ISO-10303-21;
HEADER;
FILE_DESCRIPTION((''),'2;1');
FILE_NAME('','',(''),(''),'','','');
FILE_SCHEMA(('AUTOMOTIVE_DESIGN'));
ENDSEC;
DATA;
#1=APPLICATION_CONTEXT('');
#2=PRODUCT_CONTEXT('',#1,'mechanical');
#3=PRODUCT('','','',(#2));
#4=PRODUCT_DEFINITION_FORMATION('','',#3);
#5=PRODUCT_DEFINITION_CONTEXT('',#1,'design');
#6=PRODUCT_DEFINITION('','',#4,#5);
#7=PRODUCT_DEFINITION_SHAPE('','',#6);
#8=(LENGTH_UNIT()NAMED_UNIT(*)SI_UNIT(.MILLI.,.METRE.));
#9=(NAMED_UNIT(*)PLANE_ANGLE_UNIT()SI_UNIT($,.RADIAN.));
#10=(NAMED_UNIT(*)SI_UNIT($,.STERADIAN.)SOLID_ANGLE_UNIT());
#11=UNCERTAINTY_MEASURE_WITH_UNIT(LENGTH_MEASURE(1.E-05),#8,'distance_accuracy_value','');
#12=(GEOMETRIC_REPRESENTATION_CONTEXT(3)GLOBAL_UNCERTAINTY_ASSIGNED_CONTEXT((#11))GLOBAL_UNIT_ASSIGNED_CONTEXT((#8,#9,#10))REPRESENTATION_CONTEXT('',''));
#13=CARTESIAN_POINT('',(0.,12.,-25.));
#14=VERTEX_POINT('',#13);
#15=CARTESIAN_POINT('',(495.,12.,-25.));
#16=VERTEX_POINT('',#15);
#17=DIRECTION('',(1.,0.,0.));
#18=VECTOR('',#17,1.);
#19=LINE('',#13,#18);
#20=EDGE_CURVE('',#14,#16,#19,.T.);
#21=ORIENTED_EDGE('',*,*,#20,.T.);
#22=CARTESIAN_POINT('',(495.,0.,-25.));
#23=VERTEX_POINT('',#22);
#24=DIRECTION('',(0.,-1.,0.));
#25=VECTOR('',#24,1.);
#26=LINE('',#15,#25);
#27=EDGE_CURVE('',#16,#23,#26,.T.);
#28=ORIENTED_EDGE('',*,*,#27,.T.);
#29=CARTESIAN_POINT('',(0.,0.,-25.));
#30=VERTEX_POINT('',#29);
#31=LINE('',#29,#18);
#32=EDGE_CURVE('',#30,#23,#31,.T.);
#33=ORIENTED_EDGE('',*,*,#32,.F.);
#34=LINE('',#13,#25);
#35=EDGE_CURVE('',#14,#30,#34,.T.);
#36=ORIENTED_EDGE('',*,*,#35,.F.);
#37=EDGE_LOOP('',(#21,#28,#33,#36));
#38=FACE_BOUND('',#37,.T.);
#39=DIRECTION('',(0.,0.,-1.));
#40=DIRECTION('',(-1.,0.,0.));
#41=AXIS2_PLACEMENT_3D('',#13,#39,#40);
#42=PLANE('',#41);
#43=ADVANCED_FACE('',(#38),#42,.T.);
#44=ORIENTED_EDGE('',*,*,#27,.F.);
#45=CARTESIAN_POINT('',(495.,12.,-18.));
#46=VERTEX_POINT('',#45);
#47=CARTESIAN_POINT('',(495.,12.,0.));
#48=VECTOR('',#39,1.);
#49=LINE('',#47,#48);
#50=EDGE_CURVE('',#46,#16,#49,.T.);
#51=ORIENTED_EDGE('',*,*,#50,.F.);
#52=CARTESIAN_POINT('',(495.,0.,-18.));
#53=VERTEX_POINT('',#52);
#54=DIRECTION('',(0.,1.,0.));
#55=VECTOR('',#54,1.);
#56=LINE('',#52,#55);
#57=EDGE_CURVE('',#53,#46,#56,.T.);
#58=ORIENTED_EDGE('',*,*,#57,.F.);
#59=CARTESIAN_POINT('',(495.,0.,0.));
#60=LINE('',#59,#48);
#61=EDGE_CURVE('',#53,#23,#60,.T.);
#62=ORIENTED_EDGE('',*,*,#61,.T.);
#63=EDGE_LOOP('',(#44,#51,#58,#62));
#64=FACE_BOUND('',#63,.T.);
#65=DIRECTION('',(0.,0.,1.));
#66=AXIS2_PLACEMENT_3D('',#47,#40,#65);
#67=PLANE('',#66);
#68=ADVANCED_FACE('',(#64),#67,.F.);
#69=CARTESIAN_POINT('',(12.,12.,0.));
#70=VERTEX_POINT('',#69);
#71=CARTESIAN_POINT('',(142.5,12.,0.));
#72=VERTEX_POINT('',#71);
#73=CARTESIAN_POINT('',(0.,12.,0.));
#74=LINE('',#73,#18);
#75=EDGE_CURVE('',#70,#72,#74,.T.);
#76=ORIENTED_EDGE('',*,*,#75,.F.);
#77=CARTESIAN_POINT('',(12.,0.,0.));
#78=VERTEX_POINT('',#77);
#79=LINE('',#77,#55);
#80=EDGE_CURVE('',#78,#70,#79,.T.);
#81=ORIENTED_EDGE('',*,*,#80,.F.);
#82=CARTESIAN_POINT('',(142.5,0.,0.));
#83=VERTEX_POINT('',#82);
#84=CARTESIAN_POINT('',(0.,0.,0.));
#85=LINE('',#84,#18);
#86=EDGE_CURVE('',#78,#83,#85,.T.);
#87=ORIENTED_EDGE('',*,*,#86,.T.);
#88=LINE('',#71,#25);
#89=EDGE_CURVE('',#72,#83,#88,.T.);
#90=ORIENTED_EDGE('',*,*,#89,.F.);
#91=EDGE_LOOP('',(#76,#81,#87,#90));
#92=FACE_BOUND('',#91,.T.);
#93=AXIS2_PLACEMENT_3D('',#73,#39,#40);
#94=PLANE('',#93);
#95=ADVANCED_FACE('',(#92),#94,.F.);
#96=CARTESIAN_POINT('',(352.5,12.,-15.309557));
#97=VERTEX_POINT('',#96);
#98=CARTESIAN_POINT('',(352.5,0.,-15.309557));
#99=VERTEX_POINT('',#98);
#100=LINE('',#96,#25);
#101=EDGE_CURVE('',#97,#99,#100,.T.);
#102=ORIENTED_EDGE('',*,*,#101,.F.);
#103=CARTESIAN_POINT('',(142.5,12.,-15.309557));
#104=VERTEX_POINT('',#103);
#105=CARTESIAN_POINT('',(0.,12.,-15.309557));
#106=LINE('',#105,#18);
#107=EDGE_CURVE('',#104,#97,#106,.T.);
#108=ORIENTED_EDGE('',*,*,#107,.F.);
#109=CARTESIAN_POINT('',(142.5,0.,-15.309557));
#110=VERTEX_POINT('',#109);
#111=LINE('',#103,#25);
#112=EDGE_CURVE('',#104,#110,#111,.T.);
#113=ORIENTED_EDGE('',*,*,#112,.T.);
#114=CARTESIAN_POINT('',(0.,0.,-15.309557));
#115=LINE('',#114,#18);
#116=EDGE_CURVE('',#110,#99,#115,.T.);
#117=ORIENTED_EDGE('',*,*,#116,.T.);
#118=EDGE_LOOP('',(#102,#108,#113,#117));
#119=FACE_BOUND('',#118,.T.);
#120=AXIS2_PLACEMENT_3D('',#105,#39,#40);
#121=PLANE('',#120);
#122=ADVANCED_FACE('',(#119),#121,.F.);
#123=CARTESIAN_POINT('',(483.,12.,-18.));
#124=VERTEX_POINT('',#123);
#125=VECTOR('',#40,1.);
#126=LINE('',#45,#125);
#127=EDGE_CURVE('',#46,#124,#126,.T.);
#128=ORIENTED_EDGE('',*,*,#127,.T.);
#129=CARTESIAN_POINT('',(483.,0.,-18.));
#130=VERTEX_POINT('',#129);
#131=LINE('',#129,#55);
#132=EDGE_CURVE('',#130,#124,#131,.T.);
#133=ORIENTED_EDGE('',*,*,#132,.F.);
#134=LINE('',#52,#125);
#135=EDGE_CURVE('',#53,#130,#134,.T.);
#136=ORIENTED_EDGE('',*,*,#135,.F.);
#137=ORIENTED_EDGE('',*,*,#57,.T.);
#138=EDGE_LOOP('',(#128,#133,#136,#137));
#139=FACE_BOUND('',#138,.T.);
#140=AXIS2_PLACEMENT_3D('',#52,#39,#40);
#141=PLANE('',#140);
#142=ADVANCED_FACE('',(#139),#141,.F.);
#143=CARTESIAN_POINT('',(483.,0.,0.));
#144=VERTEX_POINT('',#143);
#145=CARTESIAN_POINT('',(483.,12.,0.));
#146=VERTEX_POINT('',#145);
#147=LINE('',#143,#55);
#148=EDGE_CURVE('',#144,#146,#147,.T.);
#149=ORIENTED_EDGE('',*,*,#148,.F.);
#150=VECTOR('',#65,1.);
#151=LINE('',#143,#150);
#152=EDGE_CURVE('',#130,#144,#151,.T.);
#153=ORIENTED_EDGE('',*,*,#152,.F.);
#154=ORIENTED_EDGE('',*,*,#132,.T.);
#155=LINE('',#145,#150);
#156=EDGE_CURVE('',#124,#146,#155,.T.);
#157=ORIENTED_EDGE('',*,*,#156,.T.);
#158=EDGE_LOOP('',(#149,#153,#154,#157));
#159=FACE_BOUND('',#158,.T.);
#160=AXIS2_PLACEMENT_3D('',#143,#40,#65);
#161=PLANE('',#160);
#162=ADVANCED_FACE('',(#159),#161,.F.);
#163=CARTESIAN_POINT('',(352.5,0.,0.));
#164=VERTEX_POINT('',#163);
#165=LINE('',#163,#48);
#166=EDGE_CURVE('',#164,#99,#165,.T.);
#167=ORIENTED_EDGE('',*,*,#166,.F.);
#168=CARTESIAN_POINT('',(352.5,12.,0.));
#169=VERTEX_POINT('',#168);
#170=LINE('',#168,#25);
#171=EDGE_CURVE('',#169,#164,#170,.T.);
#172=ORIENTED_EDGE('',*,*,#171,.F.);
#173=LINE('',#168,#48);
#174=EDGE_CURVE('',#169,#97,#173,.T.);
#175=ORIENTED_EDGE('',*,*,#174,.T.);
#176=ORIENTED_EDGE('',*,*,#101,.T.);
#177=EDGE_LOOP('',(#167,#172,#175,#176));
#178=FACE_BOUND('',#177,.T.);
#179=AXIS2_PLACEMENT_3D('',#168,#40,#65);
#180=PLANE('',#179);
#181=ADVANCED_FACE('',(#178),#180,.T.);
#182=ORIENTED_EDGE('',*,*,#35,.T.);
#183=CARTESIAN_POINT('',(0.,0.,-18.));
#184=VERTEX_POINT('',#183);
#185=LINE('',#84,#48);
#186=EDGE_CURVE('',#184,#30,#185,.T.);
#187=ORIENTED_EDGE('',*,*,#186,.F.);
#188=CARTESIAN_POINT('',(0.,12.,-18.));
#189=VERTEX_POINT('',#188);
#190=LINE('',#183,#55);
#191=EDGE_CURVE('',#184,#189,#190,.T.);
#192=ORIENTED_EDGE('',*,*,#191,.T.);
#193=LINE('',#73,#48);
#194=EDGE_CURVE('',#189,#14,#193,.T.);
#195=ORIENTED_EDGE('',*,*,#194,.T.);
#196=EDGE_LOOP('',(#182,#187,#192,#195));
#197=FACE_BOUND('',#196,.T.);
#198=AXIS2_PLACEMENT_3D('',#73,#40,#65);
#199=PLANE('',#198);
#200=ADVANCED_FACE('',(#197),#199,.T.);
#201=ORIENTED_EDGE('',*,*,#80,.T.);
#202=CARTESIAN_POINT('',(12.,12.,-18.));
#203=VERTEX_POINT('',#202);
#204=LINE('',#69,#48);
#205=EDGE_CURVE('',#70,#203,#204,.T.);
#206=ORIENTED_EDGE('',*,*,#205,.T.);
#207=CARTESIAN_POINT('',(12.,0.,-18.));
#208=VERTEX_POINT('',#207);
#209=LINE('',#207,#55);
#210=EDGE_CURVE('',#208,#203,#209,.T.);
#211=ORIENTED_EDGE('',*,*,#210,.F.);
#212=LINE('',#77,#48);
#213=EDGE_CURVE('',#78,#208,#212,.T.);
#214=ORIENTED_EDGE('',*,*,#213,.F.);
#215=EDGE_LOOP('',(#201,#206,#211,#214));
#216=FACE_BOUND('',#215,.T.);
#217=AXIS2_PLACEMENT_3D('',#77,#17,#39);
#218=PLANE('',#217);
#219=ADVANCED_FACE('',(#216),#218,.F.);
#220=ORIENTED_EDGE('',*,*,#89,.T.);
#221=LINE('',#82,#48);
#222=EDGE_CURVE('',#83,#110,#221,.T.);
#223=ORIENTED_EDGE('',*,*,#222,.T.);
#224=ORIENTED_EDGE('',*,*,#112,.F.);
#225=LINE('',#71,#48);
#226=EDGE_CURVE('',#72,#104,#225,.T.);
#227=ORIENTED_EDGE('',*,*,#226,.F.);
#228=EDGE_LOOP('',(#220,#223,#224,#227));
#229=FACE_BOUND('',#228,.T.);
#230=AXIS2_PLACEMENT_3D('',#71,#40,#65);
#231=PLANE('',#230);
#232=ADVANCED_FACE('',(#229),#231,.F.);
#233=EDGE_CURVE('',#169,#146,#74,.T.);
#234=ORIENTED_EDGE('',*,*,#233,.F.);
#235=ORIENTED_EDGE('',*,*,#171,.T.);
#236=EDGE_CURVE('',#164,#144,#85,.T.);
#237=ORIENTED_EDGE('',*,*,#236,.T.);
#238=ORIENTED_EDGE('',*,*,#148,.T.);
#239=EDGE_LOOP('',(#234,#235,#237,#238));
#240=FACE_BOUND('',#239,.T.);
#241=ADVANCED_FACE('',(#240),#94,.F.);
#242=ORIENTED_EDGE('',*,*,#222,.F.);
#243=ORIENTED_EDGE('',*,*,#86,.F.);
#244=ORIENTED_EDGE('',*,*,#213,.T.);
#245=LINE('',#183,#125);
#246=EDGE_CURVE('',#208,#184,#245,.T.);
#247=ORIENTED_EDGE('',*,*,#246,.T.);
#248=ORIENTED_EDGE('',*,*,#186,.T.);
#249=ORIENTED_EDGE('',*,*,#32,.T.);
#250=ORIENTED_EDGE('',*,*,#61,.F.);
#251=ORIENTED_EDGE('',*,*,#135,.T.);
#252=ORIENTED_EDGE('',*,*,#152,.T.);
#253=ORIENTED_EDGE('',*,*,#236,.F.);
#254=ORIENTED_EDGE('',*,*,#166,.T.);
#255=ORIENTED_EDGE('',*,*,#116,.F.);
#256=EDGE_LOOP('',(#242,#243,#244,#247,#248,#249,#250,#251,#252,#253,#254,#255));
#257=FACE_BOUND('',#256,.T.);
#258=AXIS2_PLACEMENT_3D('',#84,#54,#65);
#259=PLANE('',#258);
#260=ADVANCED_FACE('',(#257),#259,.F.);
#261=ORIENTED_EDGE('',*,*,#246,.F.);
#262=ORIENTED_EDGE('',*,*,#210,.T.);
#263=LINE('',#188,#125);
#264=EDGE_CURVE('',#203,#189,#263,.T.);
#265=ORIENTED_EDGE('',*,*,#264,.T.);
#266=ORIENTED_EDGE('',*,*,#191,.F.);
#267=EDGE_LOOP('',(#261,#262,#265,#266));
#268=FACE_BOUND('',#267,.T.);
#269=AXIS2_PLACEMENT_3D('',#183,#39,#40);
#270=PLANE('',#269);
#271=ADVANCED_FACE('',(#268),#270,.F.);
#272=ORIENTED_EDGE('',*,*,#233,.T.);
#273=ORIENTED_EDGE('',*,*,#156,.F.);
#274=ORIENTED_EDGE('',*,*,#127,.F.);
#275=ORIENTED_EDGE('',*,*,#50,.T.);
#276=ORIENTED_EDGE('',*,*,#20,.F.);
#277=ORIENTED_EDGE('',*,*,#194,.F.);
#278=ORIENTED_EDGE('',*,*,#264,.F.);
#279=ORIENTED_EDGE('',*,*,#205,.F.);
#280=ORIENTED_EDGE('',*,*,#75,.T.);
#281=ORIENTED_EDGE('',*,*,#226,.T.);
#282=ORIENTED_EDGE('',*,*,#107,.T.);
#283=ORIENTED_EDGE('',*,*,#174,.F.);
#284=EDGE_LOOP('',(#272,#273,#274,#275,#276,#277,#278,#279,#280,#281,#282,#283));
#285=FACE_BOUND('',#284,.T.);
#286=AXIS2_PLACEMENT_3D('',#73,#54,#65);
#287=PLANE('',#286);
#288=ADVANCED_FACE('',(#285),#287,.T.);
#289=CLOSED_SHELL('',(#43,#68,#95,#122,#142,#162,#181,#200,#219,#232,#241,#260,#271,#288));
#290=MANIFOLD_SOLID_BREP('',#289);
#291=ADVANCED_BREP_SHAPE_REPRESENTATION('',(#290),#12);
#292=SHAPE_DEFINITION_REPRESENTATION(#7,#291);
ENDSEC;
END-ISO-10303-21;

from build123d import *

# Parameters (mm, degrees)
BOSS_EXTRUDE1_DEPTH = 12
SKETCH3_W           = 12
SKETCH3_H           = 18
CUT_EXTRUDE1_DEPTH  = 12


with BuildPart() as part:
    # Sketch2 → Boss-Extrude1 (new body)
    with BuildSketch(Plane(origin=(0, 0, 0), x_dir=(1, 0, 0), z_dir=(0, 1, 0))):
        Polygon((0, 25), (0, 0), (142.5, 0), (142.5, 15.309556752), (352.5, 15.309556752), (352.5, 0), (495, 0), (495, 25), align=None)
    extrude(amount=BOSS_EXTRUDE1_DEPTH)

    # Sketch3 → Cut-Extrude1 (cut)
    with BuildSketch(Plane(origin=(0, 12, 0), x_dir=(1, 0, 0), z_dir=(0, 1, 0))):
        with Locations((6, 9)):
            Rectangle(SKETCH3_W, SKETCH3_H)
        with Locations((489, 9)):
            Rectangle(SKETCH3_W, SKETCH3_H)
    extrude(amount=-CUT_EXTRUDE1_DEPTH, mode=Mode.SUBTRACT)


solid = part.part
